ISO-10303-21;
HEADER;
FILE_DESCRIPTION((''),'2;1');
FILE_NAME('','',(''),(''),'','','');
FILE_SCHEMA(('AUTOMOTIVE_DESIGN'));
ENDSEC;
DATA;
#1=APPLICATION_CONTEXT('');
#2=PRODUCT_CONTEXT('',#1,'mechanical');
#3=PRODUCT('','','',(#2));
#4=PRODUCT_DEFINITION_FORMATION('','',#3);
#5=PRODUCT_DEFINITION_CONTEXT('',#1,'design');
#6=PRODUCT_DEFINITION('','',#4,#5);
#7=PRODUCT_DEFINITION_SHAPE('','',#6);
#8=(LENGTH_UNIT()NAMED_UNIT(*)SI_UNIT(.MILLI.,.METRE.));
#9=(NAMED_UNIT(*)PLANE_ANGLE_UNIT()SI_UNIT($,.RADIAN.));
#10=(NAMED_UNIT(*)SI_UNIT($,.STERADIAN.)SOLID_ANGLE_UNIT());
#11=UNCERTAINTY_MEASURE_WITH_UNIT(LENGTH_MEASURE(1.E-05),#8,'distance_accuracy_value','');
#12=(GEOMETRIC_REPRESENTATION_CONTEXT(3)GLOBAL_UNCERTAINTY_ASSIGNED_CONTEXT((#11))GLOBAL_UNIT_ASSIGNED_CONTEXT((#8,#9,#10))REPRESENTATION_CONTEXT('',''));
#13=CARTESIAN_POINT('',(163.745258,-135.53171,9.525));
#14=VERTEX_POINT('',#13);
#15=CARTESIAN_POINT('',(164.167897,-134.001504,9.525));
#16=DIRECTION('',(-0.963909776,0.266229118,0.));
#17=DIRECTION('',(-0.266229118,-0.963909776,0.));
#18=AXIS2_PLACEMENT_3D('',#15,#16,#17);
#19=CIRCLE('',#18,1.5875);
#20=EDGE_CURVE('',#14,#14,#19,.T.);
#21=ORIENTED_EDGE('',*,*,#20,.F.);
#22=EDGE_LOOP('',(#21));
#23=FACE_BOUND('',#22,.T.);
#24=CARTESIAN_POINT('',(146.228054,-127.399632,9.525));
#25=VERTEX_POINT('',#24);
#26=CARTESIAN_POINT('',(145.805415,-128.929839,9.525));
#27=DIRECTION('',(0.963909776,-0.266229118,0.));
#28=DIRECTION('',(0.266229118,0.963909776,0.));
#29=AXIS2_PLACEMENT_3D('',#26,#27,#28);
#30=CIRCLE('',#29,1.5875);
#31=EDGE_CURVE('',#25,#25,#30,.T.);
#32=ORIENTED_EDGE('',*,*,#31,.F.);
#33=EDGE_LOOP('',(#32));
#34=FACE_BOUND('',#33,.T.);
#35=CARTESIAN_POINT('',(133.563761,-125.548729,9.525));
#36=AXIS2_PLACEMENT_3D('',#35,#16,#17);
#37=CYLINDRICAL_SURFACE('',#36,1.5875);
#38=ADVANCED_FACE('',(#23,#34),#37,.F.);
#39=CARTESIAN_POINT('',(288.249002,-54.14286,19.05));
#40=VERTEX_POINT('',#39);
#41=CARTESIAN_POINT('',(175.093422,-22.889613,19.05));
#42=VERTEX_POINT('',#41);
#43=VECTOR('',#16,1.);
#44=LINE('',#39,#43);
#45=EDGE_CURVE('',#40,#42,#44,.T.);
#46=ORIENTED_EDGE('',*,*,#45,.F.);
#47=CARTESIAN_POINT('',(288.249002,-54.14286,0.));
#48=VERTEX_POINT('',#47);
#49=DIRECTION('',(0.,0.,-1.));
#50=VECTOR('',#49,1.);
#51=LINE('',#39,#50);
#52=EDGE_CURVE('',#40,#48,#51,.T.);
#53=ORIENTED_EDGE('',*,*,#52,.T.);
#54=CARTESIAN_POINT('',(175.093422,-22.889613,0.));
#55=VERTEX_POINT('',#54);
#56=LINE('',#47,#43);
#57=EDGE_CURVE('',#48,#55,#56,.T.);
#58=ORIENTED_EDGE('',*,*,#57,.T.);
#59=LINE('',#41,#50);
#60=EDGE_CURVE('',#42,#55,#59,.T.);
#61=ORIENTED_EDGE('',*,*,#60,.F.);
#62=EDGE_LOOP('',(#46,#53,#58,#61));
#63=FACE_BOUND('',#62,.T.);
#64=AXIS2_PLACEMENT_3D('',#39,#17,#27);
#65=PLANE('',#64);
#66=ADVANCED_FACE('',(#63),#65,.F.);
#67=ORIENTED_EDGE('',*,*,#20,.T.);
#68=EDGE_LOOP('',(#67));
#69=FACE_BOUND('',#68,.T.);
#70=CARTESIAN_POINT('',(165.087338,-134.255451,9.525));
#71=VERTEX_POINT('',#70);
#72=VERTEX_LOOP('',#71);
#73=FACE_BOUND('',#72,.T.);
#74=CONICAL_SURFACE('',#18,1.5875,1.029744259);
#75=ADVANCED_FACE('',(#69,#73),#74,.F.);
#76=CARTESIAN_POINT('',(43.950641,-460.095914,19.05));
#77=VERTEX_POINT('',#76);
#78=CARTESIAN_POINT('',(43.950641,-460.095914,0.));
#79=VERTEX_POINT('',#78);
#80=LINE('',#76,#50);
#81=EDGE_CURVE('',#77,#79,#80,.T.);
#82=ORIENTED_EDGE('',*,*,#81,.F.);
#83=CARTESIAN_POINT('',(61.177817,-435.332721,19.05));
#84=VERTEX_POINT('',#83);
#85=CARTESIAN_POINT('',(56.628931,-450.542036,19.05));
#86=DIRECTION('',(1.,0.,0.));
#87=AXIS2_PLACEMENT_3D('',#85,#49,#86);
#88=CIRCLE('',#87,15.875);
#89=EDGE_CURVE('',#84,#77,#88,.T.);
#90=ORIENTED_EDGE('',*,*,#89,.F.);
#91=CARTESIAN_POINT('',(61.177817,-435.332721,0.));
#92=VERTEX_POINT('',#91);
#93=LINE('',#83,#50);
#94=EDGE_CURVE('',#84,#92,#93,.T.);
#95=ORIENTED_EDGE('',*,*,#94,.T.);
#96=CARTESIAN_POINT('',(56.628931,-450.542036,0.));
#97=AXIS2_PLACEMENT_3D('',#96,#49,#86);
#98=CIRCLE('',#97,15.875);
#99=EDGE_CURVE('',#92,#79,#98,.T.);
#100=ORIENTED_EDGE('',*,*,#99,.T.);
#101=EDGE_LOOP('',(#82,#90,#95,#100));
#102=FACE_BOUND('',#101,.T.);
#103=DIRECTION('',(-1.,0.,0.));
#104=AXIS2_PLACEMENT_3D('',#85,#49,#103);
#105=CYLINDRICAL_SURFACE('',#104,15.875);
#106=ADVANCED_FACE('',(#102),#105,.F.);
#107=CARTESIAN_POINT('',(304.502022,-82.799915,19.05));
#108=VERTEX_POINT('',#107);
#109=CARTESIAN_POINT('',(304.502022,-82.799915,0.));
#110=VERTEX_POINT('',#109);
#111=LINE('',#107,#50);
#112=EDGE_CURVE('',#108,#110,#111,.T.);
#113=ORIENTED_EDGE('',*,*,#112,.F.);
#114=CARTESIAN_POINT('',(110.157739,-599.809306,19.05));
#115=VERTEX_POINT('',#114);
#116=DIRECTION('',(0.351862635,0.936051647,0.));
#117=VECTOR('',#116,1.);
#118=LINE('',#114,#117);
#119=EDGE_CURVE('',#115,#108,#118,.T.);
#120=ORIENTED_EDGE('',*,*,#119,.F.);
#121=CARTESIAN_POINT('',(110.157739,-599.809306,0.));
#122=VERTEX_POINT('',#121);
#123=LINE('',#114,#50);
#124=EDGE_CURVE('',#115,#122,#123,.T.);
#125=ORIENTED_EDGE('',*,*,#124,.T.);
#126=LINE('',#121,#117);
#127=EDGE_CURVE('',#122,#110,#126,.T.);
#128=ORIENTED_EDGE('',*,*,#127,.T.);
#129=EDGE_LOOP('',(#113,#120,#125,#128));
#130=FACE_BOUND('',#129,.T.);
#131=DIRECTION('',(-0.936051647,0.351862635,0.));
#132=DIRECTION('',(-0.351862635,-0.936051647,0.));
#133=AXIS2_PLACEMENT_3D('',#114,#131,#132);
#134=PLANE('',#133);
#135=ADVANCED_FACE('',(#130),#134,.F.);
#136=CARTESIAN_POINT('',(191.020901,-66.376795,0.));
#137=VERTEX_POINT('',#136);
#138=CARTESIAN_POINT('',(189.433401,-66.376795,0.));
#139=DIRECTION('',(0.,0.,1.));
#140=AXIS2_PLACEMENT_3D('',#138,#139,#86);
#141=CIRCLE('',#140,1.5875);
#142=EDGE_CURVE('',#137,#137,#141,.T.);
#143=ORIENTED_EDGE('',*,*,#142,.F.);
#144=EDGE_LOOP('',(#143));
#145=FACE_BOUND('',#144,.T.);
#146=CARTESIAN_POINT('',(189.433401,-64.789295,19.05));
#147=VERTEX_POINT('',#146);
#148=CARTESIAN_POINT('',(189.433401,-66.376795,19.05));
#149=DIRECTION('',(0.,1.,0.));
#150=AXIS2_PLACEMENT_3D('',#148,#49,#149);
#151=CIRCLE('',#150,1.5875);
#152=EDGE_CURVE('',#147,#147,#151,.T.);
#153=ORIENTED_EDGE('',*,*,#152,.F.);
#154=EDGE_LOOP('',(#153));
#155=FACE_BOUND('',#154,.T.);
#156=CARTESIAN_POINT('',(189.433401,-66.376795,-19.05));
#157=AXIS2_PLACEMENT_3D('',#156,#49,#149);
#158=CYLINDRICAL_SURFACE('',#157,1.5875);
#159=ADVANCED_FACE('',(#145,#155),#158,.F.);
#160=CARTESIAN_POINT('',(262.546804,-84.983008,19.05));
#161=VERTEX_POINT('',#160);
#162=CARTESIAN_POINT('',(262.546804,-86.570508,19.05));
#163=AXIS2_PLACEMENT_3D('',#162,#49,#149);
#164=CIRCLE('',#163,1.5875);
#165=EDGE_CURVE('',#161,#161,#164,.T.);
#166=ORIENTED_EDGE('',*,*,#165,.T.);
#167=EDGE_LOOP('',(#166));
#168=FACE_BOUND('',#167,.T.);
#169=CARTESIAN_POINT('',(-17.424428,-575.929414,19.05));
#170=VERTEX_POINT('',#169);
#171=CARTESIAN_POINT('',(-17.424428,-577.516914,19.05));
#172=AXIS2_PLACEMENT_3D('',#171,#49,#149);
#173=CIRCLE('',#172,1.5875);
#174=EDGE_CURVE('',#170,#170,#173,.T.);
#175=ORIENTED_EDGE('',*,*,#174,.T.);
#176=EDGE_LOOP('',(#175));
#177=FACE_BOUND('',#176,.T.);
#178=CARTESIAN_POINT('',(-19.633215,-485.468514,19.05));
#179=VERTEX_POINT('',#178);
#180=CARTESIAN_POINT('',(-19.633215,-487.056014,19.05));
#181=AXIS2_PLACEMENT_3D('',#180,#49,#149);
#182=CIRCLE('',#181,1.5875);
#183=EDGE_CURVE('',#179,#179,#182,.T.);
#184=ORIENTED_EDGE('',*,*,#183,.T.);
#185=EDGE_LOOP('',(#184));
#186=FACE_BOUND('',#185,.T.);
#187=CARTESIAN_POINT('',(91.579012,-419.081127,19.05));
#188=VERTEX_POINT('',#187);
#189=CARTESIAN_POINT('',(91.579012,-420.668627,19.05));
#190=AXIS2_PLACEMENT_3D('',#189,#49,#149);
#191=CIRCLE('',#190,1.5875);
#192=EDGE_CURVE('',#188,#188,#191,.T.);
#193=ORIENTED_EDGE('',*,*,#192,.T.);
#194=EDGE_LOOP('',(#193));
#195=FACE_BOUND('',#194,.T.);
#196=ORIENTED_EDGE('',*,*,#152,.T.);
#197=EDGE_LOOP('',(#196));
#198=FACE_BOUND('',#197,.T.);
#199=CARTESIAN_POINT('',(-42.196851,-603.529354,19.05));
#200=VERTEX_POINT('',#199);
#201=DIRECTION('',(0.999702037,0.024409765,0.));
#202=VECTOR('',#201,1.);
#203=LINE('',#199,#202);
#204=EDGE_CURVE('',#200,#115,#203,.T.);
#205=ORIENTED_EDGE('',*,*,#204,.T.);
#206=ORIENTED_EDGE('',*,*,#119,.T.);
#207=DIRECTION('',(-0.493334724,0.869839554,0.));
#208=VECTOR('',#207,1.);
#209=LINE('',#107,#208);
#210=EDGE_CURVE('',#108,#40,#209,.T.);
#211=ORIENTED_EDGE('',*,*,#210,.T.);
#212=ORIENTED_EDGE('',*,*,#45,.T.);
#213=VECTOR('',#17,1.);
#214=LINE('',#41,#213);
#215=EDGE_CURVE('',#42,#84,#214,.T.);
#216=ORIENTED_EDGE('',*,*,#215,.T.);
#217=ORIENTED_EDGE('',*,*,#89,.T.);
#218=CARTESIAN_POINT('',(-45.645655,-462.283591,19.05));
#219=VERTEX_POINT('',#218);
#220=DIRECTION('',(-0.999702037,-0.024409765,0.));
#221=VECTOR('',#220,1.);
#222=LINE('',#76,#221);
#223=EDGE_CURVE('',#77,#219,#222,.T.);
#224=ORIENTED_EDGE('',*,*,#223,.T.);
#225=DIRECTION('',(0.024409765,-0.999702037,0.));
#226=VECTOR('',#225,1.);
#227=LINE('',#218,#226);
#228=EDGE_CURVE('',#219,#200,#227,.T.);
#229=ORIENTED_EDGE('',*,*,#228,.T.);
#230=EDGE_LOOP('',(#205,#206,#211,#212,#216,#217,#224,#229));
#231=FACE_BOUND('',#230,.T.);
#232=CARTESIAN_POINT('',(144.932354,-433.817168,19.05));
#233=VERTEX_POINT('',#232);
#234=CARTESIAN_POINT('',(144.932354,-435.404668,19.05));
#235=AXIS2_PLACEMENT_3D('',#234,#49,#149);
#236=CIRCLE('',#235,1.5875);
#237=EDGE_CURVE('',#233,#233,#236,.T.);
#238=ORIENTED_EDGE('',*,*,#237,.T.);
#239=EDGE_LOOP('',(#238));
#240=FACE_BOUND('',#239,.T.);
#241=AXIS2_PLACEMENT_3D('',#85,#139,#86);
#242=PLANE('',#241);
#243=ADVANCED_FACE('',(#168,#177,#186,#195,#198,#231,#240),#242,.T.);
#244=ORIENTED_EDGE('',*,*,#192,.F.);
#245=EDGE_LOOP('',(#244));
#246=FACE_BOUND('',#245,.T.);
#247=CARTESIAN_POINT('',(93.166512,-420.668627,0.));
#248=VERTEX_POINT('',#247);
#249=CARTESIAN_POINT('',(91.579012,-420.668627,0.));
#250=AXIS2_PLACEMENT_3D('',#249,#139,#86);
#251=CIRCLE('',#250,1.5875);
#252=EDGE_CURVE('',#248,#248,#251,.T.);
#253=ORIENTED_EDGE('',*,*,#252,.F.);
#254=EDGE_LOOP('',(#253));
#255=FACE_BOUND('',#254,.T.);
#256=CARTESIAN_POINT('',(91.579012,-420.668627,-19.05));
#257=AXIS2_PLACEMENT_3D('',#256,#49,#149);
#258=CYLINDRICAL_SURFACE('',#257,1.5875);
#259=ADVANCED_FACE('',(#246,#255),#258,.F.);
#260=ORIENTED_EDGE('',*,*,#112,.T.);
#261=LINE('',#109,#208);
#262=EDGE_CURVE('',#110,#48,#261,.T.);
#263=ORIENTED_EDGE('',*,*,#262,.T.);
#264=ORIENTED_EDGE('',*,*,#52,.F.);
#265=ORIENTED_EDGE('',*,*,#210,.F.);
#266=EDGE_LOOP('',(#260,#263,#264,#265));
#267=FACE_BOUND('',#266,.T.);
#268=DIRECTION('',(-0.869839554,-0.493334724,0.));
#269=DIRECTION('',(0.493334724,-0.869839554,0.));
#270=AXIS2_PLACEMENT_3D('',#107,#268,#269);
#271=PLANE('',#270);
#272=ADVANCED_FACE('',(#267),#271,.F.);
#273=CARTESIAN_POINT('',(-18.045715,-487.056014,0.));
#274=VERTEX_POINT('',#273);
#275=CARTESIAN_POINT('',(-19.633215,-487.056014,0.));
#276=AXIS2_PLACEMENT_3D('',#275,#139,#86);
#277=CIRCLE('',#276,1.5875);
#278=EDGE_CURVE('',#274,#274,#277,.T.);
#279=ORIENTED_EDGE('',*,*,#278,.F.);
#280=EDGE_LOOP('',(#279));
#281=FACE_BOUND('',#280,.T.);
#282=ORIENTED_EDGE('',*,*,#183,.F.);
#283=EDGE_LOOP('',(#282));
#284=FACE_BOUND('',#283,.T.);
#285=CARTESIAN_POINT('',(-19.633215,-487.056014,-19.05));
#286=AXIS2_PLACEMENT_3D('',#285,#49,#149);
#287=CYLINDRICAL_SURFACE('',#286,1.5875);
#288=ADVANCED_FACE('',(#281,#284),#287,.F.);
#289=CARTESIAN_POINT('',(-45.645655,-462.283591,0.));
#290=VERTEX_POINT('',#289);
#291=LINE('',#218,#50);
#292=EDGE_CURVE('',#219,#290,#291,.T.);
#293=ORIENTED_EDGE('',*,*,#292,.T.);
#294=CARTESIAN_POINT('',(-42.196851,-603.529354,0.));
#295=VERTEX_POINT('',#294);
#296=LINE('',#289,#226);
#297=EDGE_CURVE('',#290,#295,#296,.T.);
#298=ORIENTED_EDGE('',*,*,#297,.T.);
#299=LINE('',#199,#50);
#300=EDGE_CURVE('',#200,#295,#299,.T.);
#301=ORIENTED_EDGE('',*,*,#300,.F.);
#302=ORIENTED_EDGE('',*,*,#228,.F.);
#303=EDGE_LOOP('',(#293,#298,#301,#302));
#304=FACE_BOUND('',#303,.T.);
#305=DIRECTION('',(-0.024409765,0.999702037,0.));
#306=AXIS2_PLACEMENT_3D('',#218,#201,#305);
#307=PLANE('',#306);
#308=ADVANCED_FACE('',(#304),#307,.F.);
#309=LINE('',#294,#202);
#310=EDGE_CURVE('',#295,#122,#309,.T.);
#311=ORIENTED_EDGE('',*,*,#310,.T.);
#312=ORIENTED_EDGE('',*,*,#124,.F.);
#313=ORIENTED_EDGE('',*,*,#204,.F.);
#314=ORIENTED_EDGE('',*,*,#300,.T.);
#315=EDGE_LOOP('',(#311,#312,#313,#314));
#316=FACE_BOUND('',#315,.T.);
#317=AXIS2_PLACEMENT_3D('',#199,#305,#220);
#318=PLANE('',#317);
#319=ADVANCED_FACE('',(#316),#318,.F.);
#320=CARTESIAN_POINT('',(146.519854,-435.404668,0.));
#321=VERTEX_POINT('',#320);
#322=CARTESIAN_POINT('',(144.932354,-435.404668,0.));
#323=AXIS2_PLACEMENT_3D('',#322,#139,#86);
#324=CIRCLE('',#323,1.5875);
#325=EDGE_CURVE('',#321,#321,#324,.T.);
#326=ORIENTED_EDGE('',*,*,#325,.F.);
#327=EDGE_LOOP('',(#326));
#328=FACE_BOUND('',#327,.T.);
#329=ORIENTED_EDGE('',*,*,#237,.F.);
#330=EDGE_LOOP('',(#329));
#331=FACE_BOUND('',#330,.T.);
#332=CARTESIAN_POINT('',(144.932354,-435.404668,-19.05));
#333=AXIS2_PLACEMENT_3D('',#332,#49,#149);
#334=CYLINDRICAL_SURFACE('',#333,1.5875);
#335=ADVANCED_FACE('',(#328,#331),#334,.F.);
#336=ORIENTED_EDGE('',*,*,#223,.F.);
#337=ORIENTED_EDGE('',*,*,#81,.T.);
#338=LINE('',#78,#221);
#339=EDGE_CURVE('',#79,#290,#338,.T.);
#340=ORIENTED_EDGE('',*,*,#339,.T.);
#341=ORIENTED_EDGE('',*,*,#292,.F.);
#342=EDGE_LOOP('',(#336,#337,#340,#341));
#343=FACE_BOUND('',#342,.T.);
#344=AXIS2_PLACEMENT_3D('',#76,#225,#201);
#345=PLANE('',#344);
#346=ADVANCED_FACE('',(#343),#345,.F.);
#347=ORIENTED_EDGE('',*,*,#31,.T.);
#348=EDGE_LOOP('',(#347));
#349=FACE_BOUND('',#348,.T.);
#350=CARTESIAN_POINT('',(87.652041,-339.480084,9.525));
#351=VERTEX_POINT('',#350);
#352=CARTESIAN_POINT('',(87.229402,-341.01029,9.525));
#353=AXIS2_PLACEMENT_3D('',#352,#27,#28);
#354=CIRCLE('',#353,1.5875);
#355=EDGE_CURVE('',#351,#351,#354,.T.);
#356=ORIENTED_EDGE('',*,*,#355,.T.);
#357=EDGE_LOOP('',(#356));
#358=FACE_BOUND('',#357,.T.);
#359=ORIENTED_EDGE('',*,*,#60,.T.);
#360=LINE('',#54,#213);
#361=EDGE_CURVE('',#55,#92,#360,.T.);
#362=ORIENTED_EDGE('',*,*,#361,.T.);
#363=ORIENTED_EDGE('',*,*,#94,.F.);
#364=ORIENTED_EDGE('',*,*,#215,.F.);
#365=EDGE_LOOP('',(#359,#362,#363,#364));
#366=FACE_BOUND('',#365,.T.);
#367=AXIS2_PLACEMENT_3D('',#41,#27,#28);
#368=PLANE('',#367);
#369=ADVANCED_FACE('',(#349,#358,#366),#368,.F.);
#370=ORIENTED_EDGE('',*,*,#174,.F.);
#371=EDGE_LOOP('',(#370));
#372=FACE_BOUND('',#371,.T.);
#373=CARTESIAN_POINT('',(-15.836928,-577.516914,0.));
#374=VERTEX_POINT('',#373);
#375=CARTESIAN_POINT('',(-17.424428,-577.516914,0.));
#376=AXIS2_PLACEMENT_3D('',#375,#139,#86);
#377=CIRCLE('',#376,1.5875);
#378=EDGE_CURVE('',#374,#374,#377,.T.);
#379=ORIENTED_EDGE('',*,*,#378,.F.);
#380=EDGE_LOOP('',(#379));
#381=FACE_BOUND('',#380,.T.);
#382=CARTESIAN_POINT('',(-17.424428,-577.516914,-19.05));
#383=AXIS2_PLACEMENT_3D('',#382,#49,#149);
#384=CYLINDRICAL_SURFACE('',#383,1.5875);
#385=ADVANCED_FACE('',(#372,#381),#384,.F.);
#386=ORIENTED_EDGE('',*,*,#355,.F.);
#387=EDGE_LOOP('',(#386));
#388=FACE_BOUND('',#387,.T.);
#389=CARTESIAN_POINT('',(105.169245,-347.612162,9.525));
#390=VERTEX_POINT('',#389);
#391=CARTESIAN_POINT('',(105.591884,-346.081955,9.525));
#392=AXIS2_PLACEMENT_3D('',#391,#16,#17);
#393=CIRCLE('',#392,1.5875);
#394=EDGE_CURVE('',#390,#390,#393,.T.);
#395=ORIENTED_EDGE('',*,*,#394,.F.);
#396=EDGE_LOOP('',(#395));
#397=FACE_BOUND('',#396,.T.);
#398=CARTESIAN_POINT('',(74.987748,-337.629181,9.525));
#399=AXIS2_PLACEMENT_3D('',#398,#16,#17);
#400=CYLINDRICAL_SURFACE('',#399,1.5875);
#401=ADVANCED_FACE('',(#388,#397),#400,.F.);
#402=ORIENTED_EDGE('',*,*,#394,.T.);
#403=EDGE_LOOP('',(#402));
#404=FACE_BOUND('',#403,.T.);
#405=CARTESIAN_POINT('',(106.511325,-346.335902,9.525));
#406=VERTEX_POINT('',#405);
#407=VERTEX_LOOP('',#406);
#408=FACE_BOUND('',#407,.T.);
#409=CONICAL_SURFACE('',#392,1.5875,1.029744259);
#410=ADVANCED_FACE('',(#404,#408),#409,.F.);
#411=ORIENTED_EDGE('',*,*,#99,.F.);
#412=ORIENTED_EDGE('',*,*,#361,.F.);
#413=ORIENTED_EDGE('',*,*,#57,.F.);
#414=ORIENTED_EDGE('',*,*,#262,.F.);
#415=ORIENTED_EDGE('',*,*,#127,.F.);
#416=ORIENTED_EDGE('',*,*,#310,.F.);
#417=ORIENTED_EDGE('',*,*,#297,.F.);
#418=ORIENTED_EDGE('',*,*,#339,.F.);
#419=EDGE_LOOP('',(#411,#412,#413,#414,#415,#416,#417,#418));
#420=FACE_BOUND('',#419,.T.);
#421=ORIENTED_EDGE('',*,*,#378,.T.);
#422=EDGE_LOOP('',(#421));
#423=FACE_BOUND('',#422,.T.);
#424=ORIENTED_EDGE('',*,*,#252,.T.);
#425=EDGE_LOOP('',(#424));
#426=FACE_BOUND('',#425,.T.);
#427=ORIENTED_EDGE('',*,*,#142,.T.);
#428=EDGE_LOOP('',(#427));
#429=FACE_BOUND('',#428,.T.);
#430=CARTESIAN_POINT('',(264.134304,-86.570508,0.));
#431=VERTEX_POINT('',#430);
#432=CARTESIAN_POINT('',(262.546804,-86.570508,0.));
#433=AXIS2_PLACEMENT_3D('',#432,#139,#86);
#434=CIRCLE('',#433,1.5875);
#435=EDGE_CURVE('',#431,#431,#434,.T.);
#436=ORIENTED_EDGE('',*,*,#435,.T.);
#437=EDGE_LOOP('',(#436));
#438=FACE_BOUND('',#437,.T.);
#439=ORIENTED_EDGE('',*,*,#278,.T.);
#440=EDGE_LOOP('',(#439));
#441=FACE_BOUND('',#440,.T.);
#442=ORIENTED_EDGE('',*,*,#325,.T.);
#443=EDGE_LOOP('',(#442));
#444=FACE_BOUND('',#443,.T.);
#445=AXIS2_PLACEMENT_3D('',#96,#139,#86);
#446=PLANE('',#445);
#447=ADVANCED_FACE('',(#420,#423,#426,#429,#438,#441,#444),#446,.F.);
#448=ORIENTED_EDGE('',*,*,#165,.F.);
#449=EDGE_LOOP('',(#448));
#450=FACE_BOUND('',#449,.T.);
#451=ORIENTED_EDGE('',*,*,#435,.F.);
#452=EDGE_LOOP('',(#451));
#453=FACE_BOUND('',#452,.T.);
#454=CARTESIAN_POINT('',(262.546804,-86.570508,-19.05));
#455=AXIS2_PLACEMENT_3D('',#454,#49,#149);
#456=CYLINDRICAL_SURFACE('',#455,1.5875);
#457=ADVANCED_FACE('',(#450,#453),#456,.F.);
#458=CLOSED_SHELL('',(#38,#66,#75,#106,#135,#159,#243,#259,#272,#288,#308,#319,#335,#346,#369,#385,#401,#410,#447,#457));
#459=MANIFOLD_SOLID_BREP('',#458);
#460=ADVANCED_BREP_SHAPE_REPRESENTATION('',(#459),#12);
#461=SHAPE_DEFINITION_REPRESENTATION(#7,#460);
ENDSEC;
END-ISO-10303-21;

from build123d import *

# Parameters (mm, degrees)
BOSS_EXTRUDE1_DEPTH = 19.05
HOLE2_D             = 3.175
HOLE2_DEPTH         = 31.75
HOLE2_CSINK_D       = 10.16
HOLE2_CSINK_ANGLE   = 82
HOLE2_TIP           = 0.953866233
HOLE3_D             = 3.175
HOLE3_DEPTH         = 38.1
HOLE3_CSINK_D       = 10.16
HOLE3_CSINK_ANGLE   = 82
HOLE3_TIP           = 0.953866233


with BuildPart() as part:
    # Sketch1 → Boss-Extrude1 (new body)
    with BuildSketch(Plane.XY):
        with BuildLine():
            Line((-45.645654956, -462.283590669), (-42.196851456, -603.529354269))
            Line((-42.196851456, -603.529354269), (110.157739028, -599.809306096))
            Line((110.157739028, -599.809306096), (304.502022379, -82.799914861))
            Line((304.502022379, -82.799914861), (288.249001778, -54.142860136))
            Line((288.249001778, -54.142860136), (175.093421906, -22.889613201))
            Line((175.093421906, -22.889613201), (61.177817241, -435.332721236))
            ThreePointArc((61.177817241, -435.332721236), (69.660650717, -459.60790015), (43.950640658, -460.09591431))
            Line((43.950640658, -460.09591431), (-45.645654956, -462.283590669))
        make_face()
    extrude(amount=BOSS_EXTRUDE1_DEPTH)

    # Hole2
    with Locations(Plane(origin=(162.245907498, -21.702082459, 165.474999994), x_dir=(0, 0, -1), z_dir=(-0.963909776, 0.266229118, 0))):
        with Locations((-155.949999994, 107.734820482), (155.949999994, 107.734820482), (155.949999994, 327.755881328), (174.999999994, 85.732714397), (174.999999994, 349.757987412), (-174.999999994, 349.757987412), (-174.999999994, 85.732714397), (-155.949999994, 327.755881328)):
            CounterSinkHole(HOLE2_D / 2, HOLE2_CSINK_D / 2, depth=HOLE2_DEPTH, counter_sink_angle=HOLE2_CSINK_ANGLE)
            with Locations((0, 0, -(HOLE2_DEPTH + HOLE2_TIP / 2))):  # 118° drill point
                Cone(0, HOLE2_D / 2, HOLE2_TIP, mode=Mode.SUBTRACT)

    # Hole3
    with Locations(Plane(origin=(311.92831292, -63.043933951, -19.05), x_dir=(-0.351862635, -0.936051647, 0), z_dir=(0, 0, -1))):
        with Locations((46.221112845, 113.488854888), (39.39759596, 37.945520226), (412.28786892, 80.423559293), (407.308516105, 25.297013484), (513.561319184, 161.164706775), (597.46020397, 127.267357003), (610.543339245, 159.649253123), (694.322923815, 367.011001477), (526.644454459, 193.546602895), (610.424039029, 400.908351249)):
            CounterSinkHole(HOLE3_D / 2, HOLE3_CSINK_D / 2, depth=HOLE3_DEPTH, counter_sink_angle=HOLE3_CSINK_ANGLE)
            with Locations((0, 0, -(HOLE3_DEPTH + HOLE3_TIP / 2))):  # 118° drill point
                Cone(0, HOLE3_D / 2, HOLE3_TIP, mode=Mode.SUBTRACT)


solid = part.part
